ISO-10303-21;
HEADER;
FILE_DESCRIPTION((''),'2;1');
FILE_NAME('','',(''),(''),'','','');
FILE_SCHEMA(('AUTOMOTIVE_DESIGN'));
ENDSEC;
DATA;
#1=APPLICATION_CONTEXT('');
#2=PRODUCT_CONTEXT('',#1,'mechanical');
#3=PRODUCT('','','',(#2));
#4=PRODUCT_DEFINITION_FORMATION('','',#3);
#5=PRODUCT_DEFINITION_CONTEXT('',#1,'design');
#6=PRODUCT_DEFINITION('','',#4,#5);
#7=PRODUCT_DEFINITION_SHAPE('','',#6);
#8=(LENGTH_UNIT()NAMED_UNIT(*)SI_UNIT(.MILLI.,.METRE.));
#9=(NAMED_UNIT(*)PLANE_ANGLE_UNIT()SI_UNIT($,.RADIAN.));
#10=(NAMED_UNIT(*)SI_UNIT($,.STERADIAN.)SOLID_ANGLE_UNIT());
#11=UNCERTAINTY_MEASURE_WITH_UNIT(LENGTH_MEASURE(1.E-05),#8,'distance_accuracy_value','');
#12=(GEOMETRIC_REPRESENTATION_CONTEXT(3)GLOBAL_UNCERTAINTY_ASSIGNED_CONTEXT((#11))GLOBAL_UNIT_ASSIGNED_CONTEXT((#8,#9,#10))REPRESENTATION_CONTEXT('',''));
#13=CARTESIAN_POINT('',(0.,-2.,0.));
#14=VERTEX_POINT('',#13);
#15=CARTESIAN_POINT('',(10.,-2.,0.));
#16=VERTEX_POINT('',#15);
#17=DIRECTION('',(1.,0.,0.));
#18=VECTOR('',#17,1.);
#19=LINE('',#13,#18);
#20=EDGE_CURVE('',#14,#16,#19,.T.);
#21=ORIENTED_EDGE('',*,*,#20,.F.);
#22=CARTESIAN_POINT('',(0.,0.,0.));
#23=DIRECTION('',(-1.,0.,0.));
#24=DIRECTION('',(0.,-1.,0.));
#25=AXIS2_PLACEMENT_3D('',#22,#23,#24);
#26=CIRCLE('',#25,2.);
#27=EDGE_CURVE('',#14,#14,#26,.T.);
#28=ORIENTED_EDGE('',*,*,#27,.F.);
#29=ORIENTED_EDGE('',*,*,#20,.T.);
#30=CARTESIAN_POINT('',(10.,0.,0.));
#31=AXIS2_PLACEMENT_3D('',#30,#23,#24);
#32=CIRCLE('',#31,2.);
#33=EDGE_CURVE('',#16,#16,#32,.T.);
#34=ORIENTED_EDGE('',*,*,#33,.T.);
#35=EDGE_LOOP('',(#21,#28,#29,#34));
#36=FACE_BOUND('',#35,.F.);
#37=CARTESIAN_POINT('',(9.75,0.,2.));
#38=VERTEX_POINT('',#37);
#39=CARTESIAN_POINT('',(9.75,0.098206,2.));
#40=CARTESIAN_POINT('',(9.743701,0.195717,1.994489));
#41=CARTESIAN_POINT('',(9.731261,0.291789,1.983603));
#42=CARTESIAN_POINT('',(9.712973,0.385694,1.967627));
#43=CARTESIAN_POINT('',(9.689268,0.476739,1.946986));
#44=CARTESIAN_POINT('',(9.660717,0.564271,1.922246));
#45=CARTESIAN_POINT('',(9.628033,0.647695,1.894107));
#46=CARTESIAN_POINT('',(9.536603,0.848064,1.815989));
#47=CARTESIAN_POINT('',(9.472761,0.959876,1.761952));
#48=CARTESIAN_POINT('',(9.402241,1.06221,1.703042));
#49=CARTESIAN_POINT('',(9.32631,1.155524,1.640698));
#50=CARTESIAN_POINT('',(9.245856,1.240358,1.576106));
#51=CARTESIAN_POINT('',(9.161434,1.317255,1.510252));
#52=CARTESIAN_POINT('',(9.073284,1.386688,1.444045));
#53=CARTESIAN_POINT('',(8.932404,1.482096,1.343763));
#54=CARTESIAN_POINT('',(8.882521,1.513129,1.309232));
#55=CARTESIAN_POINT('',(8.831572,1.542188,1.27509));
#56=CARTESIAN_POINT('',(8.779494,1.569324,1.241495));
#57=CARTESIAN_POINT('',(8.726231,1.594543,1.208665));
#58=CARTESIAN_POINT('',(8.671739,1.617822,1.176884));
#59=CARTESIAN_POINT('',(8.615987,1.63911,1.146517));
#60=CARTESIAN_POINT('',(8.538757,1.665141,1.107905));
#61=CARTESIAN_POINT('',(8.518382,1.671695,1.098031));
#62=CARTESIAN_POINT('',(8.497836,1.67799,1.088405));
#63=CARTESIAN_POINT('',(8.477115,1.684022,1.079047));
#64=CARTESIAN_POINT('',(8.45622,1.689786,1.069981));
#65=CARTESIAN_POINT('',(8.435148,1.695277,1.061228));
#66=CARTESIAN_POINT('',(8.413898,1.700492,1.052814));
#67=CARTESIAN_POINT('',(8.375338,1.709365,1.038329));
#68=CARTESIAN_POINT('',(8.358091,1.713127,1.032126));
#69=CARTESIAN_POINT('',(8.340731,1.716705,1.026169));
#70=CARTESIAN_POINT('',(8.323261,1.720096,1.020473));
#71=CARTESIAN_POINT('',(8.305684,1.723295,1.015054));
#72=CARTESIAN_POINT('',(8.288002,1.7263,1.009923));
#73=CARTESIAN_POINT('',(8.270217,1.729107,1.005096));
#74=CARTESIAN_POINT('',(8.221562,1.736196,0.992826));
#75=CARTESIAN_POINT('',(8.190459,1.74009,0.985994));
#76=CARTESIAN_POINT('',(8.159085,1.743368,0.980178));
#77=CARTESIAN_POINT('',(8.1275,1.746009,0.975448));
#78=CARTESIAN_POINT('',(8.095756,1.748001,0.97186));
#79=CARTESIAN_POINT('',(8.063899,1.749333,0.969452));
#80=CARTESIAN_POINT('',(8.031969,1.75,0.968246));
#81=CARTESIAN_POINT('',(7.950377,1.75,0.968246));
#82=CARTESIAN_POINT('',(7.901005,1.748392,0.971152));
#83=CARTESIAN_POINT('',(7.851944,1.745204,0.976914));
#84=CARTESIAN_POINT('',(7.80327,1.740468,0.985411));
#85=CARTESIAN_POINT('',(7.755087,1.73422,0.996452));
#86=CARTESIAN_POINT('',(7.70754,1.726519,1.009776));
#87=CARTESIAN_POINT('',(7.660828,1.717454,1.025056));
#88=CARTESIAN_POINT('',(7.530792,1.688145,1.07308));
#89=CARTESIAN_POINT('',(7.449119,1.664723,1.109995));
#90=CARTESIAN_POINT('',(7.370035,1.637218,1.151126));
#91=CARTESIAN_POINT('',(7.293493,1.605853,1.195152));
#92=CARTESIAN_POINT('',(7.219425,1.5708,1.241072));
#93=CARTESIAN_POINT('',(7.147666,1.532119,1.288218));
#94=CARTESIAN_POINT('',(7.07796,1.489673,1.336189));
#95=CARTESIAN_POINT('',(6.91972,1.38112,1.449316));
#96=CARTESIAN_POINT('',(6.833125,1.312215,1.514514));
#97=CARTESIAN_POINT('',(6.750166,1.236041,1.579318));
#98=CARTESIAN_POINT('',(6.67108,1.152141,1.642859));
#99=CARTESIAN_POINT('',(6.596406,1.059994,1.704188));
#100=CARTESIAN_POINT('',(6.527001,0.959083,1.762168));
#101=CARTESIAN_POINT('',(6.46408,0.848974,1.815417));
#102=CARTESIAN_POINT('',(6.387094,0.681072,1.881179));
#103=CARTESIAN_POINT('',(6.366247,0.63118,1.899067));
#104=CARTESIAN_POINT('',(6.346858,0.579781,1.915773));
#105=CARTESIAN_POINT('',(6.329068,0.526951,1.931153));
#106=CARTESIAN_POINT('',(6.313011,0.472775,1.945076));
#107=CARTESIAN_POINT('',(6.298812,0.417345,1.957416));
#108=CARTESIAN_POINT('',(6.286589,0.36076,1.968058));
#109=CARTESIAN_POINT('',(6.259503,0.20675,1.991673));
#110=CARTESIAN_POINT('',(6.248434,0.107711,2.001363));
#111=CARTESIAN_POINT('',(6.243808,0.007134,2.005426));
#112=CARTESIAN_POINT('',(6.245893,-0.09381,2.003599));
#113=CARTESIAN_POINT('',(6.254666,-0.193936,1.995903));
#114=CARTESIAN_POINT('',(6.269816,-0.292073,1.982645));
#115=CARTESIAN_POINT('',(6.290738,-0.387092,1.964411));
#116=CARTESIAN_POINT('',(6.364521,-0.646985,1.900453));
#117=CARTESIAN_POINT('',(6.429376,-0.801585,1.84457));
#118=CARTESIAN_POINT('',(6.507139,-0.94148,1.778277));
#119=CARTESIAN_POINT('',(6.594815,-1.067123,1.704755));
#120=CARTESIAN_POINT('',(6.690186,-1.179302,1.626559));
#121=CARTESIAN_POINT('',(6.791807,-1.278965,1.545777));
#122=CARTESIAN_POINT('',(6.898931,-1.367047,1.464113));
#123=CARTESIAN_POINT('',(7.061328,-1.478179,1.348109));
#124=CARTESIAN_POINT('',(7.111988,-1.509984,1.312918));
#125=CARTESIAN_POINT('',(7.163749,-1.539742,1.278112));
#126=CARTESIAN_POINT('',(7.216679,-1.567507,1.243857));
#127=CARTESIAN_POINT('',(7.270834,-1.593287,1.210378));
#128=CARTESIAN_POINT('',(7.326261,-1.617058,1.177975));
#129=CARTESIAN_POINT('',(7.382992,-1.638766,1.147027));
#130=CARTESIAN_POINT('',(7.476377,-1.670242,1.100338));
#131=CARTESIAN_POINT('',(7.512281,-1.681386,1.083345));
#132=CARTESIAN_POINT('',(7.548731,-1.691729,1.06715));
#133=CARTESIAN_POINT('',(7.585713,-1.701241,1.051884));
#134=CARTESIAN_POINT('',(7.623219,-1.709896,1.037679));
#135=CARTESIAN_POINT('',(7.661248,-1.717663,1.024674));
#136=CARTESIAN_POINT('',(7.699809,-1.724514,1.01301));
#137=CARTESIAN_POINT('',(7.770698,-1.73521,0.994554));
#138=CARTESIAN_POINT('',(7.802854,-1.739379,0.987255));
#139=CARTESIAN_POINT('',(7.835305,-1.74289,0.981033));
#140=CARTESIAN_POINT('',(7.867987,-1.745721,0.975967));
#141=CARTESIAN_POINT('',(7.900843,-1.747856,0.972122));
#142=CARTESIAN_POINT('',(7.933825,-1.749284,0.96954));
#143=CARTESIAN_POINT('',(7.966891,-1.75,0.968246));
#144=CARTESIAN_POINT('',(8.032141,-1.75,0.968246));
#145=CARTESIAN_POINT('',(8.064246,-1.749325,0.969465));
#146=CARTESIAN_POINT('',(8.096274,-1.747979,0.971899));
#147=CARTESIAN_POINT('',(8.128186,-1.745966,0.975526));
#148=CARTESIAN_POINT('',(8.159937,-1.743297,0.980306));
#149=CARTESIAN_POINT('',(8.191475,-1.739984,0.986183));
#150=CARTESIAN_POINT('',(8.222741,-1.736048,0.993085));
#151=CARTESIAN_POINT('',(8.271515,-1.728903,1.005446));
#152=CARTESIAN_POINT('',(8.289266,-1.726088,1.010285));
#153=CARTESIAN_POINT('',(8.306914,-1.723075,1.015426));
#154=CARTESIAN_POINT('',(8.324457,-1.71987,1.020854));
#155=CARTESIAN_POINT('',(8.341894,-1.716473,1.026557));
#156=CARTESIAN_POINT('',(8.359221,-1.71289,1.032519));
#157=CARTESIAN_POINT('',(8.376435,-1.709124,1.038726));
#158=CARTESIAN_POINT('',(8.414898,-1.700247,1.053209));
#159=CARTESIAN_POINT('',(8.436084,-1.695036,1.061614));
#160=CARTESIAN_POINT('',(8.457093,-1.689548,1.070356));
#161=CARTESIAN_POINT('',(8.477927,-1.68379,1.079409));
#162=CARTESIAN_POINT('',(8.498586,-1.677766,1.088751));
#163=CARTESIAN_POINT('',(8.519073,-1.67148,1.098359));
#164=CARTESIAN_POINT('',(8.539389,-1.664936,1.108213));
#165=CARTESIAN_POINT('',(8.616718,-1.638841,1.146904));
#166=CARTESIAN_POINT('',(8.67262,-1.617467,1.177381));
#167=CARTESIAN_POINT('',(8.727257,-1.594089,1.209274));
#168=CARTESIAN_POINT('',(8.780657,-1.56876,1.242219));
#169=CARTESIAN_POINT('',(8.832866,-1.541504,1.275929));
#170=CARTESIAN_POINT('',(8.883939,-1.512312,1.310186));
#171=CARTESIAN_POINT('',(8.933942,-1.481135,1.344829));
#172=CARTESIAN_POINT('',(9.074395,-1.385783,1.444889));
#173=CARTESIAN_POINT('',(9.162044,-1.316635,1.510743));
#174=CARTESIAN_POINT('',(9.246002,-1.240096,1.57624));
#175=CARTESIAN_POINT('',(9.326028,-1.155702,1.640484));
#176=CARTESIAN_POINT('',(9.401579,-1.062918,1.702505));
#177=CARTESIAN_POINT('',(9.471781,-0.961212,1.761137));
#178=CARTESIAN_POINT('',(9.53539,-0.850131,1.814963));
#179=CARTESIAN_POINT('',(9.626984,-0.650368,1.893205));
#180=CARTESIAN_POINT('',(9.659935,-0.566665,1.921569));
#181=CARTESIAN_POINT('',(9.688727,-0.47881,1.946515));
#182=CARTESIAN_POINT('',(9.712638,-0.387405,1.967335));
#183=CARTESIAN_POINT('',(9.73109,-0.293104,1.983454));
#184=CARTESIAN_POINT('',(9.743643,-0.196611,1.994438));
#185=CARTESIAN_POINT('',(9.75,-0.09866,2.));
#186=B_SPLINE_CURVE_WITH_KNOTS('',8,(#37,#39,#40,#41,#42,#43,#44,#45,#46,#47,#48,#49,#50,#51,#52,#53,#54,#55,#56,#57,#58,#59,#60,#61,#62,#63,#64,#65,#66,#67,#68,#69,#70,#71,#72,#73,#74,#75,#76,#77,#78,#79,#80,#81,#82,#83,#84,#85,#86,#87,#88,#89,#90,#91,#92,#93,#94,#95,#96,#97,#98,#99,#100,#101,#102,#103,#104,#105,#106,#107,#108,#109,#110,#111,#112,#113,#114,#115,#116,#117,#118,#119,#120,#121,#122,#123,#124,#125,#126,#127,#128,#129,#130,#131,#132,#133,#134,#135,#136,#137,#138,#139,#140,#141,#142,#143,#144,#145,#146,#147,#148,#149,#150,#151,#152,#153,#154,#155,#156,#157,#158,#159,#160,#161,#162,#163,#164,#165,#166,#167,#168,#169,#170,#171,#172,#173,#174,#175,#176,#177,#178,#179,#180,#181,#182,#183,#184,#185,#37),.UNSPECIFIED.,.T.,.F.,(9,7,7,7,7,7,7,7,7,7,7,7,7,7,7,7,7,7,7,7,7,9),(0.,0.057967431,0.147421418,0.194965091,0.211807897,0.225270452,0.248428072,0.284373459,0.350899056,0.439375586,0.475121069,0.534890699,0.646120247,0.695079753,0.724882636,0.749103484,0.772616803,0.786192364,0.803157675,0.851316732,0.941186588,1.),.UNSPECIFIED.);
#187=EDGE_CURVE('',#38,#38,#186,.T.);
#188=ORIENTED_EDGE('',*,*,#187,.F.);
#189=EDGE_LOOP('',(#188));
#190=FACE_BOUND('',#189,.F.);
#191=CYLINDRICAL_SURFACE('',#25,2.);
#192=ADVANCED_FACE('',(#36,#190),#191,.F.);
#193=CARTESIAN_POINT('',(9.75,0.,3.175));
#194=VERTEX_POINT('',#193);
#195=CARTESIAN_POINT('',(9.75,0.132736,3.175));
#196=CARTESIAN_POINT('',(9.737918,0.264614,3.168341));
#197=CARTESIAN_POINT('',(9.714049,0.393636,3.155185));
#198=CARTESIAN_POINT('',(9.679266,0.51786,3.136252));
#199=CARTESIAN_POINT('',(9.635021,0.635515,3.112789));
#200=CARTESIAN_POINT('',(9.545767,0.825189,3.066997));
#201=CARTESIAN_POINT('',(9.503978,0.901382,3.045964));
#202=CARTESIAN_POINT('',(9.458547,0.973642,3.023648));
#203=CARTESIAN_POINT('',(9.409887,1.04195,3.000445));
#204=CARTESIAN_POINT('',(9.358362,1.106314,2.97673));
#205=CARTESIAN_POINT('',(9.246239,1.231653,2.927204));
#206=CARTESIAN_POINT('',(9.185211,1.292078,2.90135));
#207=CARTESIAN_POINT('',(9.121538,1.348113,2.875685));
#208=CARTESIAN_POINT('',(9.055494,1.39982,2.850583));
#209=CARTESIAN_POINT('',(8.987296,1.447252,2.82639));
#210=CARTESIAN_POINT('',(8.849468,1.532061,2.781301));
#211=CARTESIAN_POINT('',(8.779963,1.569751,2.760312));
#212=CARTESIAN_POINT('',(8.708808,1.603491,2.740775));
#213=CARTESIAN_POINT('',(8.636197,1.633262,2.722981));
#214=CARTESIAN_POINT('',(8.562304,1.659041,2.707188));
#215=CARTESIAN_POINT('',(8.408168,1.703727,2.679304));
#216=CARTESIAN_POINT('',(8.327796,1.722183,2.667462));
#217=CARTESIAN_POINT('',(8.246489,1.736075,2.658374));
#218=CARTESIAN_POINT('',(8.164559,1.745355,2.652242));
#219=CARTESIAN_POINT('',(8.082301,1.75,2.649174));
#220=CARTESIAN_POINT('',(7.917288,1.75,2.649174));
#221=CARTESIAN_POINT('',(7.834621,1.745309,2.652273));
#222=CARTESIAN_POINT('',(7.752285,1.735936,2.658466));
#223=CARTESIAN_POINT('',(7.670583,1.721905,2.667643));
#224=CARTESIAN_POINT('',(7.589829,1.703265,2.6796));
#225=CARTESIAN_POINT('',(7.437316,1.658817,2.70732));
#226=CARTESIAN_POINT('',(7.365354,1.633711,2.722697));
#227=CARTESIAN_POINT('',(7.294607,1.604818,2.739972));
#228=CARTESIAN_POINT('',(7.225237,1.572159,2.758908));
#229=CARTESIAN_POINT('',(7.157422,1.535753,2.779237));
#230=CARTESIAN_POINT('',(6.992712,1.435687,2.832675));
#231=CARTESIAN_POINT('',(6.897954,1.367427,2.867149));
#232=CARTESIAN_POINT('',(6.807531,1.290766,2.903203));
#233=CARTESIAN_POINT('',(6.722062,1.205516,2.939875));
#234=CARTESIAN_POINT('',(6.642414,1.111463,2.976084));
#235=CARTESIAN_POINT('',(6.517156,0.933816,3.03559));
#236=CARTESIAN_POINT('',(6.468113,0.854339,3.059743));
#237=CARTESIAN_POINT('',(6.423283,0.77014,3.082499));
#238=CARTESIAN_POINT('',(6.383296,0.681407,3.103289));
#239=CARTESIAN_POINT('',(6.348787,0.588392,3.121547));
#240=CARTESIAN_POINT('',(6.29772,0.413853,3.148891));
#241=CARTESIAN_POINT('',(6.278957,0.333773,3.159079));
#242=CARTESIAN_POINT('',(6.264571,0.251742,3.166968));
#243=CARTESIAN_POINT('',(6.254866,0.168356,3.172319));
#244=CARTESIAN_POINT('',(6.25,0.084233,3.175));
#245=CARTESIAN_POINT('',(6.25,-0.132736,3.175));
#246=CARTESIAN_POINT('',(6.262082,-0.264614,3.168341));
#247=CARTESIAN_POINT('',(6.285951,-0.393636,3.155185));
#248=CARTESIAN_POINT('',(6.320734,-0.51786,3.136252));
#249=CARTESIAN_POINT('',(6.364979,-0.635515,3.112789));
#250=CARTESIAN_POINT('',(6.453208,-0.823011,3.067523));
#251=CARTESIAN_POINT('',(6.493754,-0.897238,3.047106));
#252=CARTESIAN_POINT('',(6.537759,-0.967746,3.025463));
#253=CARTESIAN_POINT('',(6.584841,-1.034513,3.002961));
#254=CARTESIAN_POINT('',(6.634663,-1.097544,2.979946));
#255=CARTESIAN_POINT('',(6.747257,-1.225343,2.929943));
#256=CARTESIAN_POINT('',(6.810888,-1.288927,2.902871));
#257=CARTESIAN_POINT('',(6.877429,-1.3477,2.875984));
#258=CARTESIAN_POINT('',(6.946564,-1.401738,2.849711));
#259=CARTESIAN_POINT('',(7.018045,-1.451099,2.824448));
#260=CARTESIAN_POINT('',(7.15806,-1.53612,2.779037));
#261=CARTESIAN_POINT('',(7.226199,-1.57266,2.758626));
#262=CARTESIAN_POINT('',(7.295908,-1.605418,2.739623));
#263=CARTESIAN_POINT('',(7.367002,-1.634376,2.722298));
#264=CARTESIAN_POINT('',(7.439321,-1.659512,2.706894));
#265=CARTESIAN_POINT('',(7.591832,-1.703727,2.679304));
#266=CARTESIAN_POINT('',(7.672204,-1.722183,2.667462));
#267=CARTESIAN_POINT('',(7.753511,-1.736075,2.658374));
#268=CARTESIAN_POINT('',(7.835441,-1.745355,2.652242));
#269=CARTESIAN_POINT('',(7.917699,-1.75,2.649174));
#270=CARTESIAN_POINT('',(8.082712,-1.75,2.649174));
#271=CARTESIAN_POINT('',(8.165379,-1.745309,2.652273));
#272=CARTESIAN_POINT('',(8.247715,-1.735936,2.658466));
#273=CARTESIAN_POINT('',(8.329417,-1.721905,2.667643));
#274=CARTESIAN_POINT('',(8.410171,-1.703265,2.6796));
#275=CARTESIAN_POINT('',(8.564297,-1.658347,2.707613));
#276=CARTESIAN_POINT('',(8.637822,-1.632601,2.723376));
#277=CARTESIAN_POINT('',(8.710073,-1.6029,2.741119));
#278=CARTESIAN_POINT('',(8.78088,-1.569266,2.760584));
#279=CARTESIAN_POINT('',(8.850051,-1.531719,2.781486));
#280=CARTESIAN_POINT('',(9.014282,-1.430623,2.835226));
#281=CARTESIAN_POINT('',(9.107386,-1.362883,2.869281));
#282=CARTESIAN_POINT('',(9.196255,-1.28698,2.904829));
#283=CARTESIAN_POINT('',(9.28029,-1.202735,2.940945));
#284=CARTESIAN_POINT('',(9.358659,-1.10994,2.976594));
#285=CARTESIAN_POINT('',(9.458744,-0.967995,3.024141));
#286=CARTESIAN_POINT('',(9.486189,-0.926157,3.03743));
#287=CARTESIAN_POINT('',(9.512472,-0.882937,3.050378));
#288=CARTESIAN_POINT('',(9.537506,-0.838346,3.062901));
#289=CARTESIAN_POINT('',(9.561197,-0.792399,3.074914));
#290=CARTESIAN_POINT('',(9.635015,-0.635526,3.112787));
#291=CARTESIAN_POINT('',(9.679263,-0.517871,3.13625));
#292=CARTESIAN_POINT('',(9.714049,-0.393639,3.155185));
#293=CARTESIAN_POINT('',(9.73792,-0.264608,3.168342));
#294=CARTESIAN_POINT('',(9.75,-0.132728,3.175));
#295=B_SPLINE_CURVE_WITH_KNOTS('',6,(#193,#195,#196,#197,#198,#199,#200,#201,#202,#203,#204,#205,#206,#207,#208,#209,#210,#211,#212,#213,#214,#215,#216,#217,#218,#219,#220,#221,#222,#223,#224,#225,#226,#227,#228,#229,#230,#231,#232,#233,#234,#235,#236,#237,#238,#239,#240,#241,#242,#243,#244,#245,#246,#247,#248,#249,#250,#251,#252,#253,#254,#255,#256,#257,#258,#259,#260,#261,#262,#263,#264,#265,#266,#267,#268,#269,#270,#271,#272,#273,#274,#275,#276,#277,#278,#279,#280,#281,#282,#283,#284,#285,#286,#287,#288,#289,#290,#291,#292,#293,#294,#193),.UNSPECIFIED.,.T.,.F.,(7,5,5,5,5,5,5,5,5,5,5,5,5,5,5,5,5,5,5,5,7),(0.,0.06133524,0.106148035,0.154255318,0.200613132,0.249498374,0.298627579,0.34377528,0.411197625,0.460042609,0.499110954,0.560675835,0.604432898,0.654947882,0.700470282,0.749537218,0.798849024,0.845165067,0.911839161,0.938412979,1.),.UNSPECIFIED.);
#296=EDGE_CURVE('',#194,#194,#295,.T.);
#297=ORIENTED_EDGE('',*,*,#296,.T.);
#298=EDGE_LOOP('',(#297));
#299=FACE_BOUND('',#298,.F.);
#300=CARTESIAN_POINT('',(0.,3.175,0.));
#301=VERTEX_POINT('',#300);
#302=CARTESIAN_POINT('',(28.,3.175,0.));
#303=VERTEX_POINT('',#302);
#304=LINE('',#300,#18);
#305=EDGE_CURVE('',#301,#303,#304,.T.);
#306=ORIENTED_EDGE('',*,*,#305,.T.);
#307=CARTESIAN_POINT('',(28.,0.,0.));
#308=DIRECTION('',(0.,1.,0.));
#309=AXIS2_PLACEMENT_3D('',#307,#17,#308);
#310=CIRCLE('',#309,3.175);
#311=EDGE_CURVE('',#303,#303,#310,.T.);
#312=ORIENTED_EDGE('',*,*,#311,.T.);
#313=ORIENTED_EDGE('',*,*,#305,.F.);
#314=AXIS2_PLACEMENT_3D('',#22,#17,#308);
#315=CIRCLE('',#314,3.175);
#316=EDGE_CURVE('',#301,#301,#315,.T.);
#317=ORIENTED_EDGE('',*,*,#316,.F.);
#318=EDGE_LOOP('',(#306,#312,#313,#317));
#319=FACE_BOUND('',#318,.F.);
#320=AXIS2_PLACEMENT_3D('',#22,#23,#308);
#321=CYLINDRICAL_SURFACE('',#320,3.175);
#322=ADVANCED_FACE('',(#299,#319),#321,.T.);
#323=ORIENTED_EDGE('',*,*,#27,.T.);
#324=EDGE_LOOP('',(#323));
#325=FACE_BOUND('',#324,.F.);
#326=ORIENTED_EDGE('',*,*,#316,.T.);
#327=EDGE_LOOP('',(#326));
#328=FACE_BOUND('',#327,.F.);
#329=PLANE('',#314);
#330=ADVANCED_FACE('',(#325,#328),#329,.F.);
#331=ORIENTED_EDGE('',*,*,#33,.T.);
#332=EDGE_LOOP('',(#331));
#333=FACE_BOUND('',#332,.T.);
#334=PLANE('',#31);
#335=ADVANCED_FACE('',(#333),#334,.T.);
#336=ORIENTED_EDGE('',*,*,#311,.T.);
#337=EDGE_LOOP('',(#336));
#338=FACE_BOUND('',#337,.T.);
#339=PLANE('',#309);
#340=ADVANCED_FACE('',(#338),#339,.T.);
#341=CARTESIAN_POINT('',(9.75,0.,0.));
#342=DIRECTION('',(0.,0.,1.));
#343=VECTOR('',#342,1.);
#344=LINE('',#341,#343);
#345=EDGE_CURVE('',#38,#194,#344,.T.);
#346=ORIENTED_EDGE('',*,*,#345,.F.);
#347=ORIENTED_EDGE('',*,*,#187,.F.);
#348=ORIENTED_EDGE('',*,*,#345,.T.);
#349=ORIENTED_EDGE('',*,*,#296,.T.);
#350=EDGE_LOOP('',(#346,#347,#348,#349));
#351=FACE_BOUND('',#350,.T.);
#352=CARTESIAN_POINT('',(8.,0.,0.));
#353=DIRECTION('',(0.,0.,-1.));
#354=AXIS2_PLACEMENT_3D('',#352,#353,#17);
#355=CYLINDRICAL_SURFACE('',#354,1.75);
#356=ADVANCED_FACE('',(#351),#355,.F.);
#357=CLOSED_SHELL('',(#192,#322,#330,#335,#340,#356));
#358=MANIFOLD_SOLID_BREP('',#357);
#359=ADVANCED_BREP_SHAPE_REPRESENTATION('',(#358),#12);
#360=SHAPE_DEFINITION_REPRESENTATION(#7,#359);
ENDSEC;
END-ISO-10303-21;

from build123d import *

# Parameters (mm, degrees)
F0_R     = 3.175
F1_DEPTH = 28
F2_R     = 2
F3_DEPTH = 10
F4_R     = 1.75
F5_DEPTH = 3.176


with BuildPart() as f1:
    # F0 (on Right) → F1 (new body)
    with BuildSketch(Plane.YZ):
        Circle(F0_R)
    extrude(amount=F1_DEPTH)

    # F2 (on face) → F3 (cut)
    with BuildSketch(Plane(origin=(0, 0, 0), x_dir=(0, -1, 0), z_dir=(-1, 0, 0))):
        Circle(F2_R)
    extrude(amount=-F3_DEPTH, mode=Mode.SUBTRACT)

    # F4 (on Top) → F5 (cut, through all)
    with BuildSketch(Plane.XY):
        with Locations((8, 0)):
            Circle(F4_R)
    extrude(amount=F5_DEPTH, mode=Mode.SUBTRACT)


solid = f1.part
